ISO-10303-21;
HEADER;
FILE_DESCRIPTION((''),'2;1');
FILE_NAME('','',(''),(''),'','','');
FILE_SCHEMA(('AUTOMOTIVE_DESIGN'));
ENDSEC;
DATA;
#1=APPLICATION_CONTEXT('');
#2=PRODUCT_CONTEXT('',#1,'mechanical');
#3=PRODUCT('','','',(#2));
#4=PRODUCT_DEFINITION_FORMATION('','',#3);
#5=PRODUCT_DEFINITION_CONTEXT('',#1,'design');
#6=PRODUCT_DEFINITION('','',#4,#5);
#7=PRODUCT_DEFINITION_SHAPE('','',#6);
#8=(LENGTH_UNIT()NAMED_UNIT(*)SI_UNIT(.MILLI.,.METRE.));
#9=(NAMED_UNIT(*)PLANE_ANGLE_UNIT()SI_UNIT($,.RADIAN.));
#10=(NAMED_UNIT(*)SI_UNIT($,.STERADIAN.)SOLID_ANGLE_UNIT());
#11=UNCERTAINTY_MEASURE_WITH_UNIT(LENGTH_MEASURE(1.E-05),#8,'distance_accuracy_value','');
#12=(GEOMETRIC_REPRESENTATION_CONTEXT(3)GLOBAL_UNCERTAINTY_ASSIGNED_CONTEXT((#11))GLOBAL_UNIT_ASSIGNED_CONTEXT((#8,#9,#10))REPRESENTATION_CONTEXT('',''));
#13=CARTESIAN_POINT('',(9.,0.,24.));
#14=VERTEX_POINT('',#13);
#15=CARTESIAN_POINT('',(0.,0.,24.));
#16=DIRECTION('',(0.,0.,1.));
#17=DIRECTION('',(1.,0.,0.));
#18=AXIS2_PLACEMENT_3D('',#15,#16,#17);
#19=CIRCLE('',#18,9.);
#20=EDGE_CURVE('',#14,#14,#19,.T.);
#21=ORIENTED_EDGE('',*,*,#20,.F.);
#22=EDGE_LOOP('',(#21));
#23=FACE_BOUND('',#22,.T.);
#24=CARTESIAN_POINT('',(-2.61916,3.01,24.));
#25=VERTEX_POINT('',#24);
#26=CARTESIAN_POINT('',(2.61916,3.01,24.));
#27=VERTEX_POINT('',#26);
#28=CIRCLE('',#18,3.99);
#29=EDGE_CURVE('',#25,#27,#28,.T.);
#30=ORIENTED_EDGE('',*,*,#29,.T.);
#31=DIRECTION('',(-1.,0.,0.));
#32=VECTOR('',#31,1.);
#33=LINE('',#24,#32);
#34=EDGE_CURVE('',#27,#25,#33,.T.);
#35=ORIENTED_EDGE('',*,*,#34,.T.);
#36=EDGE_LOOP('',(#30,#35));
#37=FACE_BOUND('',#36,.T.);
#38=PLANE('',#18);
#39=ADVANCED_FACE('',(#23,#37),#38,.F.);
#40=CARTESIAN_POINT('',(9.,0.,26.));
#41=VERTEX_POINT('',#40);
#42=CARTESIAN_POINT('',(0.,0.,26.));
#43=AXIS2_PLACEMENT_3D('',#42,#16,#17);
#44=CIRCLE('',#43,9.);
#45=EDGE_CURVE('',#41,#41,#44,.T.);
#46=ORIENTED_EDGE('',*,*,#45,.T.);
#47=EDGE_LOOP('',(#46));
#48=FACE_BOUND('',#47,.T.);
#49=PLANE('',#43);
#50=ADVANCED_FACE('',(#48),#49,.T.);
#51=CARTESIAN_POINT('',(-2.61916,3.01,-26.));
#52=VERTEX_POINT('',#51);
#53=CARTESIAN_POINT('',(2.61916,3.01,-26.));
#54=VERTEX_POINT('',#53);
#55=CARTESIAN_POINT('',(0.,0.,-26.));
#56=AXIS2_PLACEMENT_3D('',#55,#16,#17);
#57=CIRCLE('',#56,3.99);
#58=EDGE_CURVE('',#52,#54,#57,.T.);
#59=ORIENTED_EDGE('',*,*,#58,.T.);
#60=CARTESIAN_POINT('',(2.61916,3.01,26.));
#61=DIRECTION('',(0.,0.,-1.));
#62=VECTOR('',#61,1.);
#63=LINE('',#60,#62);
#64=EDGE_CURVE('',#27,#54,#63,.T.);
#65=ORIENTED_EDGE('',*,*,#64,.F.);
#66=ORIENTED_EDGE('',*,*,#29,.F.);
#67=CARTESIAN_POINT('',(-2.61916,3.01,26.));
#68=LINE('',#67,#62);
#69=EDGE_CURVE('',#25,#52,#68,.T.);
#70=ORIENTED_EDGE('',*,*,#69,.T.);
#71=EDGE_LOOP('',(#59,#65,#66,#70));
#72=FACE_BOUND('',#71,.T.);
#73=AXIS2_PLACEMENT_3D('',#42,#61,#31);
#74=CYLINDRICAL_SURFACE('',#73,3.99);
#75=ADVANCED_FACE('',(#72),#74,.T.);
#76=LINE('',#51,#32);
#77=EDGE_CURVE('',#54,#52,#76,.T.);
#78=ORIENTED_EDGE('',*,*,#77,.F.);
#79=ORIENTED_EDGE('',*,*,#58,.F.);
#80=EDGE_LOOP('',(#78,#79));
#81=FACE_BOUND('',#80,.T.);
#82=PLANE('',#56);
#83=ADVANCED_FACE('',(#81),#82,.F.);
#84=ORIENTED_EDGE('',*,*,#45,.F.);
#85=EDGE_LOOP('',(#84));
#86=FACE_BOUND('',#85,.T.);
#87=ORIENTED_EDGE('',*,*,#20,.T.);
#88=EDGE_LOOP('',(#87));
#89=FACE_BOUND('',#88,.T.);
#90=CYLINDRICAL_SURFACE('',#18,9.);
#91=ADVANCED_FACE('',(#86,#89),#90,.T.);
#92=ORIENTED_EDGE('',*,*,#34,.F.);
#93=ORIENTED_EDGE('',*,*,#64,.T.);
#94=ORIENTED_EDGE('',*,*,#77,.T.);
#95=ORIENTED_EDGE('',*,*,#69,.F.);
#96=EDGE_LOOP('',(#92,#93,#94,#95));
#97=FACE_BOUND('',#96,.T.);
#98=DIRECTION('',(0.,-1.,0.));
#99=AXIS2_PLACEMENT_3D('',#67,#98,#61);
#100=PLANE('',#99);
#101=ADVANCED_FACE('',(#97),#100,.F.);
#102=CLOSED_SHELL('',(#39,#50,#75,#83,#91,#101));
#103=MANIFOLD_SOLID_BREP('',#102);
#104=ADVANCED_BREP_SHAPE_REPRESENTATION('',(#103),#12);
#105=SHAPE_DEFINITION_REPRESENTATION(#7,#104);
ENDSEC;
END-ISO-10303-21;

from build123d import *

# Parameters (mm, degrees)
BOSS_EXTRUDE1_DEPTH = 26
ESQUISSE1_R         = 9
BOSS_EXTRU_1_DEPTH  = 2


with BuildPart() as part:
    # Sketch1 → Boss-Extrude1 (new, symmetric)
    with BuildSketch(Plane.XY):
        with BuildLine():
            Line((-2.619160171, 3.01), (2.619160171, 3.01))
            ThreePointArc((2.619160171, 3.01), (0, -3.99), (-2.619160171, 3.01))
        make_face()
    extrude(amount=BOSS_EXTRUDE1_DEPTH, both=True)

    # Esquisse1 → Boss.-Extru.1 (add)
    with BuildSketch(Plane.XY.offset(26)):
        Circle(ESQUISSE1_R)
    extrude(amount=-BOSS_EXTRU_1_DEPTH)


solid = part.part
